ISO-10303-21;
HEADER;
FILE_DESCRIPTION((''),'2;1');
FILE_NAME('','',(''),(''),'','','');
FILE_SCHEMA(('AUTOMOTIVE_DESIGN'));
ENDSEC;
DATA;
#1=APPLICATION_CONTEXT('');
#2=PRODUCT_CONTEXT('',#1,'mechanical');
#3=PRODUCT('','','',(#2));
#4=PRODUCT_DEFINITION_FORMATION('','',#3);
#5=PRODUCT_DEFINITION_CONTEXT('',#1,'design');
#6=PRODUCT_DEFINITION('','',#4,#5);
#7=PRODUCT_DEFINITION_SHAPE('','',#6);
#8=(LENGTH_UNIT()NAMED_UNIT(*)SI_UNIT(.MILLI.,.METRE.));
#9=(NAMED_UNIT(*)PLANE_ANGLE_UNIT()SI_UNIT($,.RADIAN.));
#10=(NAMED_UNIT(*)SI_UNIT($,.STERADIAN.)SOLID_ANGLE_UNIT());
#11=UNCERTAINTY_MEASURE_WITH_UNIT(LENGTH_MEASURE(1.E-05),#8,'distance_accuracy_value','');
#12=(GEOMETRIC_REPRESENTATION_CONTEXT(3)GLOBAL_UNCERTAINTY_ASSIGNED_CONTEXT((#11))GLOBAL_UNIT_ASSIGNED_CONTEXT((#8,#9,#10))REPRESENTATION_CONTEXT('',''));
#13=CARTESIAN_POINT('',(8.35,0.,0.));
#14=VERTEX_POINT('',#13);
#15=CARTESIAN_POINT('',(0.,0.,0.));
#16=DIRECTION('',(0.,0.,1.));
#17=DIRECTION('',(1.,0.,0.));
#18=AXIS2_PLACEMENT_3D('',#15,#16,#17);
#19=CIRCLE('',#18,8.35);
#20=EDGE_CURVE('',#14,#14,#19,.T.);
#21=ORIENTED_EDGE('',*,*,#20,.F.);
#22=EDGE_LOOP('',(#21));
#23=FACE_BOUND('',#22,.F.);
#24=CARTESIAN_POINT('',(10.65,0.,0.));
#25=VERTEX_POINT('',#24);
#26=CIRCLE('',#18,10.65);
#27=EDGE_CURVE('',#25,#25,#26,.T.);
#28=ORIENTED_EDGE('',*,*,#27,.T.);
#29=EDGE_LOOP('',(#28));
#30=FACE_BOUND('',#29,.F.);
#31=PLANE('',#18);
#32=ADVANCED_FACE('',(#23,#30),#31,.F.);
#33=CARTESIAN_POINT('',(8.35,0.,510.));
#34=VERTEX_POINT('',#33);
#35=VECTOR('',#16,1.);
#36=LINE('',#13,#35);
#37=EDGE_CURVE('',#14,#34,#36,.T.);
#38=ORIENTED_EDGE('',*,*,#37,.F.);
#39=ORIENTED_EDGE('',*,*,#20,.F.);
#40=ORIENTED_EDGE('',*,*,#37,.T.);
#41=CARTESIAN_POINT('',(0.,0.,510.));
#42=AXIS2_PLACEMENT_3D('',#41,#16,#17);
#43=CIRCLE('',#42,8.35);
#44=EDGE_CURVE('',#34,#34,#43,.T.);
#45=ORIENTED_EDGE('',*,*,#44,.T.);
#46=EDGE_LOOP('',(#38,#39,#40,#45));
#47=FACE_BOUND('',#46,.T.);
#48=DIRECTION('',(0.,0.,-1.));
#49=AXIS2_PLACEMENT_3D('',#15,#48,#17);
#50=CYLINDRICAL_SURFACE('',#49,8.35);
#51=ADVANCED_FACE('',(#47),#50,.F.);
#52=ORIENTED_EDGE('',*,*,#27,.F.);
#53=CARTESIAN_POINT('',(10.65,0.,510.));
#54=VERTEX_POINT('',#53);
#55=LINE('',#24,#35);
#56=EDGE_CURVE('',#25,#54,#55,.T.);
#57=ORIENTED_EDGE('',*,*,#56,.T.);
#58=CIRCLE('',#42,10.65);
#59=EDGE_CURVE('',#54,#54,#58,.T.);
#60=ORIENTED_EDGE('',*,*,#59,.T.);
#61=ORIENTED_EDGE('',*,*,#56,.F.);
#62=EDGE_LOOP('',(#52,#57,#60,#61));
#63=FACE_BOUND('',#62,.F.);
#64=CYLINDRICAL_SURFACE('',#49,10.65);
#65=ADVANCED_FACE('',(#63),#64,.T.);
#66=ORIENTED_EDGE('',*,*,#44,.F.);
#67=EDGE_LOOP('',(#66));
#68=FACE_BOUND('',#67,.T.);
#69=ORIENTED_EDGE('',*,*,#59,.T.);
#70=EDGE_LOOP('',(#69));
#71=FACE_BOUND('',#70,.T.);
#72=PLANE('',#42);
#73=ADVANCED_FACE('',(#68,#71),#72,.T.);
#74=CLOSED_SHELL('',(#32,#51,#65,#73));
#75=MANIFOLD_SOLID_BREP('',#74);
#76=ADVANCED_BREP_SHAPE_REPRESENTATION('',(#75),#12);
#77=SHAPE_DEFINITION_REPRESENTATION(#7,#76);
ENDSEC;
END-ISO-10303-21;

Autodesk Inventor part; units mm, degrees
ref_plane "YZ Plane" through (0, 0, 0) normal (1, 0, 0) x (0, 1, 0)
ref_plane "Начальная плоскость" through (0, 0, 0) normal (0, 0, 1) x (1, 0, 0)
ref_plane "Конечная плоскость" through (0, 0, 510) normal (0, 0, 1) x (1, 0, 0)
sketch "Эскиз" plane through (0, 0, 0) normal (0, 0, 1) x (1, 0, 0)
  circle A0 centre (0, 0) radius 8.35
  circle A1 centre (0, 0) radius 10.65
  dimension "d0" = 21.3
  dimension "d1" = 2.3
extrude "Тело" add sketch "Эскиз" along normal up to surface (510 mm away) from surface at 0
sketch "Sketch3" plane through (0, 0, 0) normal (0, 0, 1) x (1, 0, 0)
  line L0 (0, 0) -> (10, 0)
ref_plane "Work Plane3" through (0, 0, 0) normal (0, -1, 0) x (1, 0, 0)
sketch "Sketch4" plane through (0, 0, 0) normal (0, -1, 0) x (1, 0, 0)
  line L0 (-2, 0) -> (12, 0) projected
  line L1 (-2, 510) -> (12, 510) projected
  dimension "d7" = 510
equation "\"d0\" = G_H"
equation "\"d1\" = G_T"
equation "\"d2\" = G_L"
equation "\"G_H\" = 21.3"
equation "\"G_T\" = 2.3"
equation "\"G_L\" = d7"
equation "\"G_OFFSET_START\" = 0"
equation "\"G_OFFSET_END\" = 0"
properties part number "DIN EN 10210-2 - 21,3 x 2,3 - 510" material "Сталь, мягкая"
